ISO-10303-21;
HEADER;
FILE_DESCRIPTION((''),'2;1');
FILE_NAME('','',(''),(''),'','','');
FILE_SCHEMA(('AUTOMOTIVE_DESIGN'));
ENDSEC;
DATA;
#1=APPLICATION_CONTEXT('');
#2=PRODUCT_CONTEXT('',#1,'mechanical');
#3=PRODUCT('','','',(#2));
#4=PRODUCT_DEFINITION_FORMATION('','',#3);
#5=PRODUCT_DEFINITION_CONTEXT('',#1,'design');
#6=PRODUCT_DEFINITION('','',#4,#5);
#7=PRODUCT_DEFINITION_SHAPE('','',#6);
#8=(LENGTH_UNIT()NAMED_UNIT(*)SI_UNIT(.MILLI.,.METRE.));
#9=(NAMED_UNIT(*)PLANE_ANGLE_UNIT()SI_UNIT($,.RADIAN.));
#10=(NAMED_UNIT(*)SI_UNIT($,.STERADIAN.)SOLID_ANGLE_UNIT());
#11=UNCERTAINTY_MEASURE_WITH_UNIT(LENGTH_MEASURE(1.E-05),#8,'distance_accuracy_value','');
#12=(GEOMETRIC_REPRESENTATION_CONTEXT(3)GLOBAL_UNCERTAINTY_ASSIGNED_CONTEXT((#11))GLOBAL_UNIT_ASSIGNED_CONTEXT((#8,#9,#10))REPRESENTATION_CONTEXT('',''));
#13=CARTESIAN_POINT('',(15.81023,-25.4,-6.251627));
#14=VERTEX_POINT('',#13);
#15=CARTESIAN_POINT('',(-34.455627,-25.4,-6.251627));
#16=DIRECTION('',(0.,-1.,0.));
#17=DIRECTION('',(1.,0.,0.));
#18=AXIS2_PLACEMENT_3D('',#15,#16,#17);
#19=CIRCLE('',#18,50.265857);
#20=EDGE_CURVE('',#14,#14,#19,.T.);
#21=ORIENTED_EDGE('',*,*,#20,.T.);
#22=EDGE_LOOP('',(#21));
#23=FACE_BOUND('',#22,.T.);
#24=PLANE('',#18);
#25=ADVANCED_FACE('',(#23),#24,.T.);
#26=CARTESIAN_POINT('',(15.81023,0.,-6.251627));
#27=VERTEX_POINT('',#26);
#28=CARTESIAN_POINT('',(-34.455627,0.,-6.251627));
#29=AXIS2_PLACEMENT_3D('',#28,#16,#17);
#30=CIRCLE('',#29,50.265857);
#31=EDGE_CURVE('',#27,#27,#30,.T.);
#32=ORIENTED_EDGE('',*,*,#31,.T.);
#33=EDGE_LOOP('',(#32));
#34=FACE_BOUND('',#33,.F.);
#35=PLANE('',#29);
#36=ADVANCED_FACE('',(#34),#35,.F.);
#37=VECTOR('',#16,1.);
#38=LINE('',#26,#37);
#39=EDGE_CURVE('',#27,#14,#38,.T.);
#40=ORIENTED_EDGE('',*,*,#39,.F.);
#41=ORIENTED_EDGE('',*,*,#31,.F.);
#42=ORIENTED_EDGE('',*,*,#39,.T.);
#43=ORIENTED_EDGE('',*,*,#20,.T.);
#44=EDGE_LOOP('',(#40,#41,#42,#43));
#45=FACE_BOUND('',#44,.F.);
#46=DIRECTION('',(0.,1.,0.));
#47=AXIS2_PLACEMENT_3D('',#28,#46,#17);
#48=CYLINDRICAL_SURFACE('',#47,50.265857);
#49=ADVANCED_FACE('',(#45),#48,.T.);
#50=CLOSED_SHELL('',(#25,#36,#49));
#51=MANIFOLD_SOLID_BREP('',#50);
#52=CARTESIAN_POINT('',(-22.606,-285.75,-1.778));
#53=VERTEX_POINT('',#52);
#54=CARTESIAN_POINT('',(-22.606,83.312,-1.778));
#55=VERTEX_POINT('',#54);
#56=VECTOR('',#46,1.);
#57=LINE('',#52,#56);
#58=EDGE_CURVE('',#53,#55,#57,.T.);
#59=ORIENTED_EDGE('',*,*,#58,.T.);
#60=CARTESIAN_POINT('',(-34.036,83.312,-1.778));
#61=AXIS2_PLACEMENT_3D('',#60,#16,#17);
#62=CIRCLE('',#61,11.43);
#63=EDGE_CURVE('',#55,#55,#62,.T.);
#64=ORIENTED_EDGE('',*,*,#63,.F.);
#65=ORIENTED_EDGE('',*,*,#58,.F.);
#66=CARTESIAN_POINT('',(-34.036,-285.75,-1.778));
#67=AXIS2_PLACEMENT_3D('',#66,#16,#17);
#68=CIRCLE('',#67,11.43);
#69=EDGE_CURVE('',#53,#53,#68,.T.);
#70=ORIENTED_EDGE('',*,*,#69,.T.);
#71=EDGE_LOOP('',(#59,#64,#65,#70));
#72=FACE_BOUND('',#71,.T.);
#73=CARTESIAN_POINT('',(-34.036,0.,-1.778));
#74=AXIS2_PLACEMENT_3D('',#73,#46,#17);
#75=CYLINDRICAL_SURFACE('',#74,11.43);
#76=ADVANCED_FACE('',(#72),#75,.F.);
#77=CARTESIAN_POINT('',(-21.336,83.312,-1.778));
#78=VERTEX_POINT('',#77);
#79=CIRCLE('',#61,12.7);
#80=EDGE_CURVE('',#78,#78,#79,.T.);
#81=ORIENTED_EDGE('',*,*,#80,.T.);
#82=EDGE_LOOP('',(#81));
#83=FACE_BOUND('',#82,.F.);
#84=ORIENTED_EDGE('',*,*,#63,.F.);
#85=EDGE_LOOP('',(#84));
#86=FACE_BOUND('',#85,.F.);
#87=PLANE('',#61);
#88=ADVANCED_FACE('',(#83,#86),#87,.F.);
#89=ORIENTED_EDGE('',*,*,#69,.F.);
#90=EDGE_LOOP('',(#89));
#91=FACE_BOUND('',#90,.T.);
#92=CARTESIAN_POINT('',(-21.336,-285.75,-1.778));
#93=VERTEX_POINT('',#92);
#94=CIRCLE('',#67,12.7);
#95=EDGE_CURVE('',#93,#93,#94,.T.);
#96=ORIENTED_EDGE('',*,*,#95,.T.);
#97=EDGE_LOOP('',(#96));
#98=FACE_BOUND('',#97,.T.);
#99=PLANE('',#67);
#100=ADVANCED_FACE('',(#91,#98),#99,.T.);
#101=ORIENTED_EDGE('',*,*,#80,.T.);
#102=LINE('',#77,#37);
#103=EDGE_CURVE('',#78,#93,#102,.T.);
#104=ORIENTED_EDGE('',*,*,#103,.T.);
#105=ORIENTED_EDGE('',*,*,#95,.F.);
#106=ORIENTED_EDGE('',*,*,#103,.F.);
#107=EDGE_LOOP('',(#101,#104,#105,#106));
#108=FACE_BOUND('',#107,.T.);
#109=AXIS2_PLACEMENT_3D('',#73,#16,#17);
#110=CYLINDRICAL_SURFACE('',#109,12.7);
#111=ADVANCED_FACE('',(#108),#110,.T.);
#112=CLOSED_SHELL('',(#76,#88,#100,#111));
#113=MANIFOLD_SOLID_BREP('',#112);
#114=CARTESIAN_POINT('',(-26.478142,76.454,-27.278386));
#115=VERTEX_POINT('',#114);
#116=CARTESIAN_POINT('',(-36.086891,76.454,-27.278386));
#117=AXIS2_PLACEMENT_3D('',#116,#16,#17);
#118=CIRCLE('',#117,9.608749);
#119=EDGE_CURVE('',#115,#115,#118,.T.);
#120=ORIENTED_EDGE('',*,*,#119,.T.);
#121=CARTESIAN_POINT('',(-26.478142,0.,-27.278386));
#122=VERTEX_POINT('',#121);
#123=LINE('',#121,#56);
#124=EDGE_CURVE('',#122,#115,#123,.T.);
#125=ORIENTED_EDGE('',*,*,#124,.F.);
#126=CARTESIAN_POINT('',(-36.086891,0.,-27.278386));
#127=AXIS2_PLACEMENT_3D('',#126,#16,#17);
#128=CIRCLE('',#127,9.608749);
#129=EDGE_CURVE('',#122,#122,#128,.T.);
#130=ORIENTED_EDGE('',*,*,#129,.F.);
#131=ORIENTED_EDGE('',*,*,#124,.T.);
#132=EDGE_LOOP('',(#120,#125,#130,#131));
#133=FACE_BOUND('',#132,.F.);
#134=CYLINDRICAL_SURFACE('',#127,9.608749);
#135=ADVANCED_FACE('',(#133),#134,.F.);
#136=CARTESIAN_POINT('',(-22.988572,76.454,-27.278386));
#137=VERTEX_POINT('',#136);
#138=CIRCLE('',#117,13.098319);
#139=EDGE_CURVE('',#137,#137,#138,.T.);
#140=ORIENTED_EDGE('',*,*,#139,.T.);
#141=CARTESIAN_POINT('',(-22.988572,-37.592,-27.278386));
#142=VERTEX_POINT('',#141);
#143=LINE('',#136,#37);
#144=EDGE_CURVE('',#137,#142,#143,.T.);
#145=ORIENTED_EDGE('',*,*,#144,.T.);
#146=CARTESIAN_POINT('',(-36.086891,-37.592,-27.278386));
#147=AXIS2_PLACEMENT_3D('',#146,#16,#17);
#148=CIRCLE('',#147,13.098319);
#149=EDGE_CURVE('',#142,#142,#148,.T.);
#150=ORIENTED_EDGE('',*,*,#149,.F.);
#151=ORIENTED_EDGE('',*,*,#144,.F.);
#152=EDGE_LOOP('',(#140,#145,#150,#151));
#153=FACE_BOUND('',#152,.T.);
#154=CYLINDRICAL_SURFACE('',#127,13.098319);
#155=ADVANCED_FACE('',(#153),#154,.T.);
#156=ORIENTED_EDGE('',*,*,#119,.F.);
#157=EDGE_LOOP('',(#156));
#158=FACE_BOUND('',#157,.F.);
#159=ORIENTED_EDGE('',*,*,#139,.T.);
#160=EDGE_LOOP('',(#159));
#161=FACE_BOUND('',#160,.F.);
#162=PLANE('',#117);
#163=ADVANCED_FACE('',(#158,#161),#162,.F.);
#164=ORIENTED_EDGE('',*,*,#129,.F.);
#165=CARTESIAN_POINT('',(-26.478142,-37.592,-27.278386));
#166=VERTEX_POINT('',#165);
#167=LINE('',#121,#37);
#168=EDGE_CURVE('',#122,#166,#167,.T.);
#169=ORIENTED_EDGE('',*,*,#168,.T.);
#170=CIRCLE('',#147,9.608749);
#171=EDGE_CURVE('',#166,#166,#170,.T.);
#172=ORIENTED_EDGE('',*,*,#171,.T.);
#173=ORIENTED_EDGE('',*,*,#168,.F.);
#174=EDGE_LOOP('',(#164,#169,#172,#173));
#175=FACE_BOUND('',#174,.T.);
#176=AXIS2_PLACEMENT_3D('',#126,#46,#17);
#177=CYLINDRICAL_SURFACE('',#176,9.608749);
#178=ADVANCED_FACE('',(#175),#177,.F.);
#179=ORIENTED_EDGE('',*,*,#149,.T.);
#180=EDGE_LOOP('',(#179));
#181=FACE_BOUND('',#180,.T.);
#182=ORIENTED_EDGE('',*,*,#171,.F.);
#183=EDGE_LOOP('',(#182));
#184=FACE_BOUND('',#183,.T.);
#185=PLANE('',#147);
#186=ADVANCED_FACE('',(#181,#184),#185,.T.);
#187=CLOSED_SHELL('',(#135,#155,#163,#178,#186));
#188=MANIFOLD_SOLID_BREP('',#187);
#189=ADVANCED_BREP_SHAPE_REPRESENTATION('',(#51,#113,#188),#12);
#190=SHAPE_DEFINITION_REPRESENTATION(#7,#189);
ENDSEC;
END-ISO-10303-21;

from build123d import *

# Parameters (mm, degrees)
F0_R          = 12.7
F0_R_2        = 11.43
F1_DEPTH      = 285.75
F1_DEPTH_BACK = 83.312
F2_R          = 13.098319
F2_R_2        = 9.608749
F3_DEPTH      = 37.592
F3_DEPTH_BACK = 76.454
F5_R          = 50.265857
F6_DEPTH      = 25.4


with BuildPart() as f1:
    # F0 (on Front) → F1 (new body, two sides)
    with BuildSketch(Plane.XZ) as f1_sk:
        Circle(F0_R)
        Circle(F0_R_2, mode=Mode.SUBTRACT)
    extrude(amount=F1_DEPTH)
    extrude(f1_sk.sketch, amount=-F1_DEPTH_BACK)


with BuildPart() as f3:
    # F2 (on Front) → F3 (new body, two sides)
    with BuildSketch(Plane.XZ) as f3_sk:
        with Locations((-36.086891, -27.278386)):
            Circle(F2_R)
        with Locations((-36.086891, -27.278386)):
            Circle(F2_R_2, mode=Mode.SUBTRACT)
    extrude(amount=F3_DEPTH)
    extrude(f3_sk.sketch, amount=-F3_DEPTH_BACK)


with BuildPart() as f1_1:
    # F4: moved
    add(f1.part.moved(Location((-34.036, 0, -1.778))))


with BuildPart() as f6:
    # F5 (on Front) → F6 (new body)
    with BuildSketch(Plane.XZ):
        with Locations((-34.455627, -6.251627)):
            Circle(F5_R)
    extrude(amount=F6_DEPTH)


solid = Compound([f3.part, f1_1.part, f6.part])
